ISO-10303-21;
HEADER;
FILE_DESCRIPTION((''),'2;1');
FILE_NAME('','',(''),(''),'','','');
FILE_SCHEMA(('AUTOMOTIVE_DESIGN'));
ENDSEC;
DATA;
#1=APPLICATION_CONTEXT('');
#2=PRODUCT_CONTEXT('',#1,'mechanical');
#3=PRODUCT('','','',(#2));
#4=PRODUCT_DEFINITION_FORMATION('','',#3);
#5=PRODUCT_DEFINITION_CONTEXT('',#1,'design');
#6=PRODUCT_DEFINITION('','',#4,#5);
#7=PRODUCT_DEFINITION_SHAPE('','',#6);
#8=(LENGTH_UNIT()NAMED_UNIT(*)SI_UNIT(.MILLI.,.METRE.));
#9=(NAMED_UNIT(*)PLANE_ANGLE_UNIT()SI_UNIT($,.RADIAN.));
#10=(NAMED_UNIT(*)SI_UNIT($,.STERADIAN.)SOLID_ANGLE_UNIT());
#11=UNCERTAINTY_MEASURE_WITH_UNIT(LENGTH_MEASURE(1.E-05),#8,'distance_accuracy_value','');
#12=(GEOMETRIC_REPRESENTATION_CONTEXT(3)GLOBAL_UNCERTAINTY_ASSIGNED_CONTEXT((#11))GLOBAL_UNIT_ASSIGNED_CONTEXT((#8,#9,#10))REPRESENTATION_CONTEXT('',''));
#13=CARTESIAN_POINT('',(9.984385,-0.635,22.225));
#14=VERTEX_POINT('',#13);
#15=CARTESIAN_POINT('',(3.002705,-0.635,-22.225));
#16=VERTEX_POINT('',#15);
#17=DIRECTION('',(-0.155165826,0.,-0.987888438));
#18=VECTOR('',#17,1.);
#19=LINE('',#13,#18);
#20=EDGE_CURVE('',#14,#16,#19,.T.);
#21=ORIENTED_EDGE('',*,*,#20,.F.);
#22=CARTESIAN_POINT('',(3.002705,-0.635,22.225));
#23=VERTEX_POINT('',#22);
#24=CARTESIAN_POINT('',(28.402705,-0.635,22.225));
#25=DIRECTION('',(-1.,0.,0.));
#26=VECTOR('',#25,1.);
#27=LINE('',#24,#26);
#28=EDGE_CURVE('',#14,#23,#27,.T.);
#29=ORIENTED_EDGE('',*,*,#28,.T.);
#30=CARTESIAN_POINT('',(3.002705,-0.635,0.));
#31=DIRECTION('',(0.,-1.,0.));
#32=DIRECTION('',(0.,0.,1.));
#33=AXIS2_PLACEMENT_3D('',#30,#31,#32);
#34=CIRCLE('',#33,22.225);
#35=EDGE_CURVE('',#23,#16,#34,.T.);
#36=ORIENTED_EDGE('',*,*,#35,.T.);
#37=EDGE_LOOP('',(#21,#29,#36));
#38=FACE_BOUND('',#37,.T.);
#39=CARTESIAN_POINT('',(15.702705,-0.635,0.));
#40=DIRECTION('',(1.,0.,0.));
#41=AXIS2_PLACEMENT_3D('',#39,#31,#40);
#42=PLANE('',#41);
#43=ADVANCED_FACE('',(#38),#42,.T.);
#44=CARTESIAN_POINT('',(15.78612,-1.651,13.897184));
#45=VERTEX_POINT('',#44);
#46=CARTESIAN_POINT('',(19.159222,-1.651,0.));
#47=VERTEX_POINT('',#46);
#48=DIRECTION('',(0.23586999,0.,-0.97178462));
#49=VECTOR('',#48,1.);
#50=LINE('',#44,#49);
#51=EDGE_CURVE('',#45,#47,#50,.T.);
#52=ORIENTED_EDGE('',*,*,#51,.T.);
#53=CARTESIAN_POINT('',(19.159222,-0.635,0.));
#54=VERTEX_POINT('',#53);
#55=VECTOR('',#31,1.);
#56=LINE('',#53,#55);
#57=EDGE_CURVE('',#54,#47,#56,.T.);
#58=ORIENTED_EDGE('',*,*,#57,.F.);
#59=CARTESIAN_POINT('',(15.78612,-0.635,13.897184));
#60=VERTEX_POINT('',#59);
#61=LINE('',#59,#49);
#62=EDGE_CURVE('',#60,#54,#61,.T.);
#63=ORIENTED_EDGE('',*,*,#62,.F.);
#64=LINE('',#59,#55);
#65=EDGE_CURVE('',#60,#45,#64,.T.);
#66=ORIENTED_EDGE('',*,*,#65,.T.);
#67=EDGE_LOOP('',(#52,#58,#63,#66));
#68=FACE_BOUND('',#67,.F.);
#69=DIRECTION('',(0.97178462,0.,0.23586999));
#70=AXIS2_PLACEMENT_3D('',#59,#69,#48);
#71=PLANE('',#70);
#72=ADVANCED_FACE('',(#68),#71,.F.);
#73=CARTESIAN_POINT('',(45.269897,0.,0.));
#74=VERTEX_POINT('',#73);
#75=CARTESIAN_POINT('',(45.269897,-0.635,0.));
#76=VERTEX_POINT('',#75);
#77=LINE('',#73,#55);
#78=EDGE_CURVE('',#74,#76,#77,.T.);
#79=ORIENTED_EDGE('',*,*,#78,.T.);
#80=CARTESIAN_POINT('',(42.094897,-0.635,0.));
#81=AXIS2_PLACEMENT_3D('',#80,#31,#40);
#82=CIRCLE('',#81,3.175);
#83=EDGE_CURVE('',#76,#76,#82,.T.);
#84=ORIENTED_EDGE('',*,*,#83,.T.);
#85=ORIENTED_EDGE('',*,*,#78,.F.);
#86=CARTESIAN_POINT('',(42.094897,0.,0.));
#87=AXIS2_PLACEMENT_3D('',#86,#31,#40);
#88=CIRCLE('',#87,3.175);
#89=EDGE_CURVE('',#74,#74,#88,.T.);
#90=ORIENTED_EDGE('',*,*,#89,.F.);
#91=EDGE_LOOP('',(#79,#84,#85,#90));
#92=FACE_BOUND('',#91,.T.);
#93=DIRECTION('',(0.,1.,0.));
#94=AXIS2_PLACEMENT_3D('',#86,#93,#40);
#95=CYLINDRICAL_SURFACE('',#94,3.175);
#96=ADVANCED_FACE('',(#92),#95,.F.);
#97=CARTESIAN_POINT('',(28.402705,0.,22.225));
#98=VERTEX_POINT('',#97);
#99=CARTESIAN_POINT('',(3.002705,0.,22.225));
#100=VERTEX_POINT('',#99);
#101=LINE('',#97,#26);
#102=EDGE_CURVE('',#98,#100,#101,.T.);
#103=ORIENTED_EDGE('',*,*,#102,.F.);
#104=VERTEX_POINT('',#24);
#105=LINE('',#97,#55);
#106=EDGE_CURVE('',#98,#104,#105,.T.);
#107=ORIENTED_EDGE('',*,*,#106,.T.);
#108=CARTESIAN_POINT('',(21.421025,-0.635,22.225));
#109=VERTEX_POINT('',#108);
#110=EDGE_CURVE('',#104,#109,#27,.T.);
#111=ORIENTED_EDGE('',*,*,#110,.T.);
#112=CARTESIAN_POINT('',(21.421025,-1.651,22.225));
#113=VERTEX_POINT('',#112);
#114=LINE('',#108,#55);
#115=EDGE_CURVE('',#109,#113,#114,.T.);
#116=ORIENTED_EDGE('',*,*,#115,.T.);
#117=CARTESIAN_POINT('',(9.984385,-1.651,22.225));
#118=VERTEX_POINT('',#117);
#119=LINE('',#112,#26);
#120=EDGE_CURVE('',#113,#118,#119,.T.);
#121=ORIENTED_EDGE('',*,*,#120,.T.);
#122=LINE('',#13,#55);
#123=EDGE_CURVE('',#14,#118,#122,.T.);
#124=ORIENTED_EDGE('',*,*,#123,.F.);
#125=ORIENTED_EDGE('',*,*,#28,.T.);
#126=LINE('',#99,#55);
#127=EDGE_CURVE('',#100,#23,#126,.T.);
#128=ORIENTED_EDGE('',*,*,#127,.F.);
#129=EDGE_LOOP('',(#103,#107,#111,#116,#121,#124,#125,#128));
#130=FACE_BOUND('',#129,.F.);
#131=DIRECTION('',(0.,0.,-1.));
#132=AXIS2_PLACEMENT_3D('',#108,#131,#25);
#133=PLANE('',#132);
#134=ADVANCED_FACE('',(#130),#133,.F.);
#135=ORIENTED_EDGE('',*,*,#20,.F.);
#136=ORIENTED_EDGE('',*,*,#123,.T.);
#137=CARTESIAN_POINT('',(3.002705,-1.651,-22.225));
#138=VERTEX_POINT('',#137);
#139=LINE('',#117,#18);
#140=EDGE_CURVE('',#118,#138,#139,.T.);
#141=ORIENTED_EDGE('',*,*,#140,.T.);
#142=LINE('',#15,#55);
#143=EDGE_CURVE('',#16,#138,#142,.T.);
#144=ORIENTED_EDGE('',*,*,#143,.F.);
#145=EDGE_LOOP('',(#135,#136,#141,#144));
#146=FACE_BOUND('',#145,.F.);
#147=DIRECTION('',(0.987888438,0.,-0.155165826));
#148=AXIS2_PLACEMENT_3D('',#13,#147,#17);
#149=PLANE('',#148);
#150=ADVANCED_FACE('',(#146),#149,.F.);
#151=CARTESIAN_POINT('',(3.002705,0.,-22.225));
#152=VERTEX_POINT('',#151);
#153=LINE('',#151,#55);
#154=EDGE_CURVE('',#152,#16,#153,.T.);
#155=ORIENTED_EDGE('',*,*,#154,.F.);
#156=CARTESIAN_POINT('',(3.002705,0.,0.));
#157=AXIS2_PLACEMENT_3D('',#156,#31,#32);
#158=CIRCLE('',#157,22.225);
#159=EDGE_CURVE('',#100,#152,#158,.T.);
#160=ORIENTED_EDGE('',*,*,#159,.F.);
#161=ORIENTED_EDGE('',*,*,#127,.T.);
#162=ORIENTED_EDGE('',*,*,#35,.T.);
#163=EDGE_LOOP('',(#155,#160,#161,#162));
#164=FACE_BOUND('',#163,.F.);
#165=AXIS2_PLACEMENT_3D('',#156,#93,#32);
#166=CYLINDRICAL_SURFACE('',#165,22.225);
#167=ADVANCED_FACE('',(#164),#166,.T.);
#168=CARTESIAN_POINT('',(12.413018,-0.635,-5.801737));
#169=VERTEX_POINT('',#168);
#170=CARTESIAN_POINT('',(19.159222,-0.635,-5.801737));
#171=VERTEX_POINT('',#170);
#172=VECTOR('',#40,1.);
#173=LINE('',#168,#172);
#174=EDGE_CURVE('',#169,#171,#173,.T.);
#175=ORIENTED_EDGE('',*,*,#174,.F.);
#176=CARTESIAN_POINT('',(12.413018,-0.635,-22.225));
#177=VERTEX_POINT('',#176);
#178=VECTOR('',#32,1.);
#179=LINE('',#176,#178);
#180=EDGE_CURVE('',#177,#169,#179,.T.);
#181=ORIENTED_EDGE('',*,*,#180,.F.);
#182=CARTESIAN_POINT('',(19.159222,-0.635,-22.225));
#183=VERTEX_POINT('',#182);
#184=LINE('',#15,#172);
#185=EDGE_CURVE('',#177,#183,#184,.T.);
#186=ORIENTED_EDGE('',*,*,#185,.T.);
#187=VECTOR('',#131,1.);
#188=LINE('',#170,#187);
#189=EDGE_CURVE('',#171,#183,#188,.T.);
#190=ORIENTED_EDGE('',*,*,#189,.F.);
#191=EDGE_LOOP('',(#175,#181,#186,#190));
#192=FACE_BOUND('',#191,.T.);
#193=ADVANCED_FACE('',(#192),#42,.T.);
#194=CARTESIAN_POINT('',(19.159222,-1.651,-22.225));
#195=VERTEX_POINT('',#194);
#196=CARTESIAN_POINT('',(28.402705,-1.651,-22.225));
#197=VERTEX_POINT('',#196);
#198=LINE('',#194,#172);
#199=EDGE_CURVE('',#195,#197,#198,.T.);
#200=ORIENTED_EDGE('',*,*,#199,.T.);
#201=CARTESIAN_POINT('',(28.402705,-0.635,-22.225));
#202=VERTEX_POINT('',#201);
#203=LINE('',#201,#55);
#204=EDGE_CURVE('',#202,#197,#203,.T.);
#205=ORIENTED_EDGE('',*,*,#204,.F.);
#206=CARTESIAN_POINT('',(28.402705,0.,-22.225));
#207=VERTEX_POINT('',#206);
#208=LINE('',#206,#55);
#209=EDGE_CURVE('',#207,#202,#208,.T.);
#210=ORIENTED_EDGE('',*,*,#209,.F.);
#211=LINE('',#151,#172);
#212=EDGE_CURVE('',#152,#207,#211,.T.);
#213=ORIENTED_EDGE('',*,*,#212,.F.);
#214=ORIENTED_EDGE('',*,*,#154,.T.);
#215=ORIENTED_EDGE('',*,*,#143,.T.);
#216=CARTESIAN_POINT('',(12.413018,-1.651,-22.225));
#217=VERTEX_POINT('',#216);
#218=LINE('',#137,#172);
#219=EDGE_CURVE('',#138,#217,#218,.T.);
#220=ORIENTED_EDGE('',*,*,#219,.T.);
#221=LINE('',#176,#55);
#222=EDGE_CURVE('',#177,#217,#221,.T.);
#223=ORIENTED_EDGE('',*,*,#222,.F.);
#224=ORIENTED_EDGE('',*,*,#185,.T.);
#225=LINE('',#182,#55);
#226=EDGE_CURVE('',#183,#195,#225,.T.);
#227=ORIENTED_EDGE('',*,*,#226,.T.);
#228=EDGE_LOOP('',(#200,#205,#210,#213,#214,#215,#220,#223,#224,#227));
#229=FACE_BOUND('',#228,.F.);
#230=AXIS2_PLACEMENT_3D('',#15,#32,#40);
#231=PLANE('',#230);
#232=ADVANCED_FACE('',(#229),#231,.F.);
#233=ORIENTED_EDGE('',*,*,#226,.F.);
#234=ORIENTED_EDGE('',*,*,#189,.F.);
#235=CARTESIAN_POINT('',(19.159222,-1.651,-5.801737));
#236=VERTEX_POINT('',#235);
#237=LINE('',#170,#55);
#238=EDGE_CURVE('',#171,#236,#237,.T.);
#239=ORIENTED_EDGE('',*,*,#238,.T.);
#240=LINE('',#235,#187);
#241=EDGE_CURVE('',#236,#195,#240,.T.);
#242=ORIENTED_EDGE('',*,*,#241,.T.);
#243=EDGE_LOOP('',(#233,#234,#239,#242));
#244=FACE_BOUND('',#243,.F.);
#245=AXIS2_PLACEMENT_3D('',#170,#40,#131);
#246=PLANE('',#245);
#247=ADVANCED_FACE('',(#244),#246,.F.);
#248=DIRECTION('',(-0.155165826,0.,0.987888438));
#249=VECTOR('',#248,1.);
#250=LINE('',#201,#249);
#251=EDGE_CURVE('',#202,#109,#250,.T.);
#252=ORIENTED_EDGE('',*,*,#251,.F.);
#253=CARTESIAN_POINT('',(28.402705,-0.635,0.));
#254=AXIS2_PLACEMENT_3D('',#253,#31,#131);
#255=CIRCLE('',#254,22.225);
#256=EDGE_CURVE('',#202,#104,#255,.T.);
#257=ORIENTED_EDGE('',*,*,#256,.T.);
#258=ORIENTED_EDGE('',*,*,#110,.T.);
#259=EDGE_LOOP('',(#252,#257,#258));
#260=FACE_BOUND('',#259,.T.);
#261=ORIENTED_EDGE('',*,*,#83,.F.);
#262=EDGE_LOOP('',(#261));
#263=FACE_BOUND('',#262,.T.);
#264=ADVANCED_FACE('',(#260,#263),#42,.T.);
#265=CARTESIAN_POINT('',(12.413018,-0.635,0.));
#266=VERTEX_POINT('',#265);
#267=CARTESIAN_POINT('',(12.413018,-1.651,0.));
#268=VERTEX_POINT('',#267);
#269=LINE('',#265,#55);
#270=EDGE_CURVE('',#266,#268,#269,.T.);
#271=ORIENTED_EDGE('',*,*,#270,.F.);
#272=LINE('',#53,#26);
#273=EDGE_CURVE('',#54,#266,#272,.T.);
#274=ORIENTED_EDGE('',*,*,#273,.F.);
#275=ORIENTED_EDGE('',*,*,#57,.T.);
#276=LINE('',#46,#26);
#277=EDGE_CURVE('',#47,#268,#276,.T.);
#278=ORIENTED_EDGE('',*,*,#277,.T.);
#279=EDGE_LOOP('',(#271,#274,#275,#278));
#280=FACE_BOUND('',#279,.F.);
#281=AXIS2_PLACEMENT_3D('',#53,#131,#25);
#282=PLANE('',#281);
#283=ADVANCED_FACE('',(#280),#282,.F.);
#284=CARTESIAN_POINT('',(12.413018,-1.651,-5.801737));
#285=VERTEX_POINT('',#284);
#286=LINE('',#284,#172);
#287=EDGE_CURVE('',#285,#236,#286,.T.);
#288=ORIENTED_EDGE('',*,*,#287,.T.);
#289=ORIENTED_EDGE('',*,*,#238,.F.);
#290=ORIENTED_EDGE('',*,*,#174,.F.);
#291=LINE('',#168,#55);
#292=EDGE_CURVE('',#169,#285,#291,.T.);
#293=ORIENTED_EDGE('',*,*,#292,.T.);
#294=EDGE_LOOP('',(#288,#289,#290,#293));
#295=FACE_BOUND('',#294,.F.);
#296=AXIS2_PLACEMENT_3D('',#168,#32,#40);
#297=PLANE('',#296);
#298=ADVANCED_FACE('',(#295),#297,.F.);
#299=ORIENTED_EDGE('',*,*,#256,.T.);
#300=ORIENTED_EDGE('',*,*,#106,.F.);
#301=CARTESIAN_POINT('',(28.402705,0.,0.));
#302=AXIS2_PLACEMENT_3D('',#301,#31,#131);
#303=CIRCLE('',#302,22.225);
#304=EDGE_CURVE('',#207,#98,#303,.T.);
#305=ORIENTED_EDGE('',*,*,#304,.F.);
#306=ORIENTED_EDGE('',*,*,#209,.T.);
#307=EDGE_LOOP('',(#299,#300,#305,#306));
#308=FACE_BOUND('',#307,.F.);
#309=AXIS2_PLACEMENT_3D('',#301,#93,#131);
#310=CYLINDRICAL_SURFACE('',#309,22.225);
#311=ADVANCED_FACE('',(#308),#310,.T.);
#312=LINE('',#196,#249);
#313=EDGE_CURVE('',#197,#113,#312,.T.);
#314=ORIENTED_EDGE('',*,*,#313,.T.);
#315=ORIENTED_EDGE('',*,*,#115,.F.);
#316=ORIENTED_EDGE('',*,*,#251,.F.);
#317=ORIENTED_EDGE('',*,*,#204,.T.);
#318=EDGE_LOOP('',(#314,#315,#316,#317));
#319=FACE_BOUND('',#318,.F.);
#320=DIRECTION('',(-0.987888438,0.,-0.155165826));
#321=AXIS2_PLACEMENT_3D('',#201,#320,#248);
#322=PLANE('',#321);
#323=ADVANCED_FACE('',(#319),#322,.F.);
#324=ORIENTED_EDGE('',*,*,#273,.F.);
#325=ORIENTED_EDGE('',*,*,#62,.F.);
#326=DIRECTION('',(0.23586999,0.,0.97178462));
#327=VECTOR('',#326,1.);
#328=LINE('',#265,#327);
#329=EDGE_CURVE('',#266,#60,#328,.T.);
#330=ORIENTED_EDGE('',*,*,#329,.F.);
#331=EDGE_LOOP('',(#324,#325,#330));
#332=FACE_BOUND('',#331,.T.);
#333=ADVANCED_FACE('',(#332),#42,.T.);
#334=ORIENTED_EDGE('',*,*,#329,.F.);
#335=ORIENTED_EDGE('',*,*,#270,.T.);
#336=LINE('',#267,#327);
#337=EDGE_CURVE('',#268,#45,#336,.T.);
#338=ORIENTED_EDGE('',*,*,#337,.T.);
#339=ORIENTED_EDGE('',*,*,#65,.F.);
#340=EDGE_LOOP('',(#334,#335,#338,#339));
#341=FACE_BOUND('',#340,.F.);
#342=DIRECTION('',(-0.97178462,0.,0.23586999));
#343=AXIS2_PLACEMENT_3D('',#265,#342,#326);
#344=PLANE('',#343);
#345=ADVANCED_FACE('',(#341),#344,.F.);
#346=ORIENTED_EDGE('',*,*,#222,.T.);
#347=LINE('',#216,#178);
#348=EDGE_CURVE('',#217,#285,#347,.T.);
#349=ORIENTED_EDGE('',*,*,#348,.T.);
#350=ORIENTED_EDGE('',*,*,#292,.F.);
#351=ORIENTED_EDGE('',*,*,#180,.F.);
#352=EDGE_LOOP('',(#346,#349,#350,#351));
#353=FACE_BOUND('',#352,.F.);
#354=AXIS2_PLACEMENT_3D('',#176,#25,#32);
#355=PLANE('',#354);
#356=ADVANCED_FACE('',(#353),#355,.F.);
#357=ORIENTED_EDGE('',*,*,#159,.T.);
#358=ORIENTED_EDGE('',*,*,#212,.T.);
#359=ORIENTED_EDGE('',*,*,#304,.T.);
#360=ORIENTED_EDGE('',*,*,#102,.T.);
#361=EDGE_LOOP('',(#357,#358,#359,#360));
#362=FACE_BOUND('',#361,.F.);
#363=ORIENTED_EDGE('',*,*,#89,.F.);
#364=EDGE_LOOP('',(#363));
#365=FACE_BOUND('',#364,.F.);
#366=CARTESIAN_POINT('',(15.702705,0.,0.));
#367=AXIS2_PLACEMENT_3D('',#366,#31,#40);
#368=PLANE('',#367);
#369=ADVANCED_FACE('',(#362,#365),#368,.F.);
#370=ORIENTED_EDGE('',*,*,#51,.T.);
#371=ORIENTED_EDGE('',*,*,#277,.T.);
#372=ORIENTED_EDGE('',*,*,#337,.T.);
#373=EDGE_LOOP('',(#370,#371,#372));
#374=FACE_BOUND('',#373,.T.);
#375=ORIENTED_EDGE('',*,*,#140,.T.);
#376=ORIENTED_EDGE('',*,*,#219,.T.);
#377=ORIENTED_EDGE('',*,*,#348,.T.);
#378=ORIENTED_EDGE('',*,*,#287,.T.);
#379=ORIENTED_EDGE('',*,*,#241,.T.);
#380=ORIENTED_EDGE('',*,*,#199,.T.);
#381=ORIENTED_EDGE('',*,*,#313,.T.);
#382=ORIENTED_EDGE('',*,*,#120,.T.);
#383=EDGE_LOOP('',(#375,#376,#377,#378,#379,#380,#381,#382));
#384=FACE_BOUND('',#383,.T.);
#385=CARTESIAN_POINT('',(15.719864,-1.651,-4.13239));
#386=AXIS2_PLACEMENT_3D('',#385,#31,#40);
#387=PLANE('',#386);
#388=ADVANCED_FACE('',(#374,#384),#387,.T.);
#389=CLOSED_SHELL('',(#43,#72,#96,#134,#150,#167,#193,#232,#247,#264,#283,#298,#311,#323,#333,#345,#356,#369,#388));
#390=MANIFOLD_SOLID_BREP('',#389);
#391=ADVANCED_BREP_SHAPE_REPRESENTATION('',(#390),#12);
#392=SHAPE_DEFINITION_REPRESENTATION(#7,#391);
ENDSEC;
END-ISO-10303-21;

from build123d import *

# Parameters (mm, degrees)
F0_R     = 3.175
F1_DEPTH = 0.635
F3_DEPTH = 1.016


with BuildPart() as f1:
    # F0 (on Front) → F1 (new body)
    with BuildSketch(Plane.XZ):
        with BuildLine():
            Line((28.402705, 22.225), (3.002705, 22.225))
            ThreePointArc((3.002705, 22.225), (-19.222295, 0), (3.002705, -22.225))
            Line((3.002705, -22.225), (28.402705, -22.225))
            ThreePointArc((28.402705, -22.225), (50.627705, 0), (28.402705, 22.225))
        make_face()
        with Locations((42.094897, 0)):
            Circle(F0_R, mode=Mode.SUBTRACT)
    extrude(amount=F1_DEPTH)

    # F2 (on face) → F3 (join)
    with BuildSketch(Plane.XZ.offset(0.635)):
        Polygon((9.984385, 22.225), (3.002705, -22.225), (12.413018, -22.225), (12.413018, -5.801737), (19.159222, -5.801737), (19.159222, -22.225), (28.402705, -22.225), (21.421025, 22.225), align=None)
        Polygon((19.159222, 0), (12.413018, 0), (15.78612, 13.897184), align=None, mode=Mode.SUBTRACT)
    extrude(amount=F3_DEPTH)


solid = f1.part
